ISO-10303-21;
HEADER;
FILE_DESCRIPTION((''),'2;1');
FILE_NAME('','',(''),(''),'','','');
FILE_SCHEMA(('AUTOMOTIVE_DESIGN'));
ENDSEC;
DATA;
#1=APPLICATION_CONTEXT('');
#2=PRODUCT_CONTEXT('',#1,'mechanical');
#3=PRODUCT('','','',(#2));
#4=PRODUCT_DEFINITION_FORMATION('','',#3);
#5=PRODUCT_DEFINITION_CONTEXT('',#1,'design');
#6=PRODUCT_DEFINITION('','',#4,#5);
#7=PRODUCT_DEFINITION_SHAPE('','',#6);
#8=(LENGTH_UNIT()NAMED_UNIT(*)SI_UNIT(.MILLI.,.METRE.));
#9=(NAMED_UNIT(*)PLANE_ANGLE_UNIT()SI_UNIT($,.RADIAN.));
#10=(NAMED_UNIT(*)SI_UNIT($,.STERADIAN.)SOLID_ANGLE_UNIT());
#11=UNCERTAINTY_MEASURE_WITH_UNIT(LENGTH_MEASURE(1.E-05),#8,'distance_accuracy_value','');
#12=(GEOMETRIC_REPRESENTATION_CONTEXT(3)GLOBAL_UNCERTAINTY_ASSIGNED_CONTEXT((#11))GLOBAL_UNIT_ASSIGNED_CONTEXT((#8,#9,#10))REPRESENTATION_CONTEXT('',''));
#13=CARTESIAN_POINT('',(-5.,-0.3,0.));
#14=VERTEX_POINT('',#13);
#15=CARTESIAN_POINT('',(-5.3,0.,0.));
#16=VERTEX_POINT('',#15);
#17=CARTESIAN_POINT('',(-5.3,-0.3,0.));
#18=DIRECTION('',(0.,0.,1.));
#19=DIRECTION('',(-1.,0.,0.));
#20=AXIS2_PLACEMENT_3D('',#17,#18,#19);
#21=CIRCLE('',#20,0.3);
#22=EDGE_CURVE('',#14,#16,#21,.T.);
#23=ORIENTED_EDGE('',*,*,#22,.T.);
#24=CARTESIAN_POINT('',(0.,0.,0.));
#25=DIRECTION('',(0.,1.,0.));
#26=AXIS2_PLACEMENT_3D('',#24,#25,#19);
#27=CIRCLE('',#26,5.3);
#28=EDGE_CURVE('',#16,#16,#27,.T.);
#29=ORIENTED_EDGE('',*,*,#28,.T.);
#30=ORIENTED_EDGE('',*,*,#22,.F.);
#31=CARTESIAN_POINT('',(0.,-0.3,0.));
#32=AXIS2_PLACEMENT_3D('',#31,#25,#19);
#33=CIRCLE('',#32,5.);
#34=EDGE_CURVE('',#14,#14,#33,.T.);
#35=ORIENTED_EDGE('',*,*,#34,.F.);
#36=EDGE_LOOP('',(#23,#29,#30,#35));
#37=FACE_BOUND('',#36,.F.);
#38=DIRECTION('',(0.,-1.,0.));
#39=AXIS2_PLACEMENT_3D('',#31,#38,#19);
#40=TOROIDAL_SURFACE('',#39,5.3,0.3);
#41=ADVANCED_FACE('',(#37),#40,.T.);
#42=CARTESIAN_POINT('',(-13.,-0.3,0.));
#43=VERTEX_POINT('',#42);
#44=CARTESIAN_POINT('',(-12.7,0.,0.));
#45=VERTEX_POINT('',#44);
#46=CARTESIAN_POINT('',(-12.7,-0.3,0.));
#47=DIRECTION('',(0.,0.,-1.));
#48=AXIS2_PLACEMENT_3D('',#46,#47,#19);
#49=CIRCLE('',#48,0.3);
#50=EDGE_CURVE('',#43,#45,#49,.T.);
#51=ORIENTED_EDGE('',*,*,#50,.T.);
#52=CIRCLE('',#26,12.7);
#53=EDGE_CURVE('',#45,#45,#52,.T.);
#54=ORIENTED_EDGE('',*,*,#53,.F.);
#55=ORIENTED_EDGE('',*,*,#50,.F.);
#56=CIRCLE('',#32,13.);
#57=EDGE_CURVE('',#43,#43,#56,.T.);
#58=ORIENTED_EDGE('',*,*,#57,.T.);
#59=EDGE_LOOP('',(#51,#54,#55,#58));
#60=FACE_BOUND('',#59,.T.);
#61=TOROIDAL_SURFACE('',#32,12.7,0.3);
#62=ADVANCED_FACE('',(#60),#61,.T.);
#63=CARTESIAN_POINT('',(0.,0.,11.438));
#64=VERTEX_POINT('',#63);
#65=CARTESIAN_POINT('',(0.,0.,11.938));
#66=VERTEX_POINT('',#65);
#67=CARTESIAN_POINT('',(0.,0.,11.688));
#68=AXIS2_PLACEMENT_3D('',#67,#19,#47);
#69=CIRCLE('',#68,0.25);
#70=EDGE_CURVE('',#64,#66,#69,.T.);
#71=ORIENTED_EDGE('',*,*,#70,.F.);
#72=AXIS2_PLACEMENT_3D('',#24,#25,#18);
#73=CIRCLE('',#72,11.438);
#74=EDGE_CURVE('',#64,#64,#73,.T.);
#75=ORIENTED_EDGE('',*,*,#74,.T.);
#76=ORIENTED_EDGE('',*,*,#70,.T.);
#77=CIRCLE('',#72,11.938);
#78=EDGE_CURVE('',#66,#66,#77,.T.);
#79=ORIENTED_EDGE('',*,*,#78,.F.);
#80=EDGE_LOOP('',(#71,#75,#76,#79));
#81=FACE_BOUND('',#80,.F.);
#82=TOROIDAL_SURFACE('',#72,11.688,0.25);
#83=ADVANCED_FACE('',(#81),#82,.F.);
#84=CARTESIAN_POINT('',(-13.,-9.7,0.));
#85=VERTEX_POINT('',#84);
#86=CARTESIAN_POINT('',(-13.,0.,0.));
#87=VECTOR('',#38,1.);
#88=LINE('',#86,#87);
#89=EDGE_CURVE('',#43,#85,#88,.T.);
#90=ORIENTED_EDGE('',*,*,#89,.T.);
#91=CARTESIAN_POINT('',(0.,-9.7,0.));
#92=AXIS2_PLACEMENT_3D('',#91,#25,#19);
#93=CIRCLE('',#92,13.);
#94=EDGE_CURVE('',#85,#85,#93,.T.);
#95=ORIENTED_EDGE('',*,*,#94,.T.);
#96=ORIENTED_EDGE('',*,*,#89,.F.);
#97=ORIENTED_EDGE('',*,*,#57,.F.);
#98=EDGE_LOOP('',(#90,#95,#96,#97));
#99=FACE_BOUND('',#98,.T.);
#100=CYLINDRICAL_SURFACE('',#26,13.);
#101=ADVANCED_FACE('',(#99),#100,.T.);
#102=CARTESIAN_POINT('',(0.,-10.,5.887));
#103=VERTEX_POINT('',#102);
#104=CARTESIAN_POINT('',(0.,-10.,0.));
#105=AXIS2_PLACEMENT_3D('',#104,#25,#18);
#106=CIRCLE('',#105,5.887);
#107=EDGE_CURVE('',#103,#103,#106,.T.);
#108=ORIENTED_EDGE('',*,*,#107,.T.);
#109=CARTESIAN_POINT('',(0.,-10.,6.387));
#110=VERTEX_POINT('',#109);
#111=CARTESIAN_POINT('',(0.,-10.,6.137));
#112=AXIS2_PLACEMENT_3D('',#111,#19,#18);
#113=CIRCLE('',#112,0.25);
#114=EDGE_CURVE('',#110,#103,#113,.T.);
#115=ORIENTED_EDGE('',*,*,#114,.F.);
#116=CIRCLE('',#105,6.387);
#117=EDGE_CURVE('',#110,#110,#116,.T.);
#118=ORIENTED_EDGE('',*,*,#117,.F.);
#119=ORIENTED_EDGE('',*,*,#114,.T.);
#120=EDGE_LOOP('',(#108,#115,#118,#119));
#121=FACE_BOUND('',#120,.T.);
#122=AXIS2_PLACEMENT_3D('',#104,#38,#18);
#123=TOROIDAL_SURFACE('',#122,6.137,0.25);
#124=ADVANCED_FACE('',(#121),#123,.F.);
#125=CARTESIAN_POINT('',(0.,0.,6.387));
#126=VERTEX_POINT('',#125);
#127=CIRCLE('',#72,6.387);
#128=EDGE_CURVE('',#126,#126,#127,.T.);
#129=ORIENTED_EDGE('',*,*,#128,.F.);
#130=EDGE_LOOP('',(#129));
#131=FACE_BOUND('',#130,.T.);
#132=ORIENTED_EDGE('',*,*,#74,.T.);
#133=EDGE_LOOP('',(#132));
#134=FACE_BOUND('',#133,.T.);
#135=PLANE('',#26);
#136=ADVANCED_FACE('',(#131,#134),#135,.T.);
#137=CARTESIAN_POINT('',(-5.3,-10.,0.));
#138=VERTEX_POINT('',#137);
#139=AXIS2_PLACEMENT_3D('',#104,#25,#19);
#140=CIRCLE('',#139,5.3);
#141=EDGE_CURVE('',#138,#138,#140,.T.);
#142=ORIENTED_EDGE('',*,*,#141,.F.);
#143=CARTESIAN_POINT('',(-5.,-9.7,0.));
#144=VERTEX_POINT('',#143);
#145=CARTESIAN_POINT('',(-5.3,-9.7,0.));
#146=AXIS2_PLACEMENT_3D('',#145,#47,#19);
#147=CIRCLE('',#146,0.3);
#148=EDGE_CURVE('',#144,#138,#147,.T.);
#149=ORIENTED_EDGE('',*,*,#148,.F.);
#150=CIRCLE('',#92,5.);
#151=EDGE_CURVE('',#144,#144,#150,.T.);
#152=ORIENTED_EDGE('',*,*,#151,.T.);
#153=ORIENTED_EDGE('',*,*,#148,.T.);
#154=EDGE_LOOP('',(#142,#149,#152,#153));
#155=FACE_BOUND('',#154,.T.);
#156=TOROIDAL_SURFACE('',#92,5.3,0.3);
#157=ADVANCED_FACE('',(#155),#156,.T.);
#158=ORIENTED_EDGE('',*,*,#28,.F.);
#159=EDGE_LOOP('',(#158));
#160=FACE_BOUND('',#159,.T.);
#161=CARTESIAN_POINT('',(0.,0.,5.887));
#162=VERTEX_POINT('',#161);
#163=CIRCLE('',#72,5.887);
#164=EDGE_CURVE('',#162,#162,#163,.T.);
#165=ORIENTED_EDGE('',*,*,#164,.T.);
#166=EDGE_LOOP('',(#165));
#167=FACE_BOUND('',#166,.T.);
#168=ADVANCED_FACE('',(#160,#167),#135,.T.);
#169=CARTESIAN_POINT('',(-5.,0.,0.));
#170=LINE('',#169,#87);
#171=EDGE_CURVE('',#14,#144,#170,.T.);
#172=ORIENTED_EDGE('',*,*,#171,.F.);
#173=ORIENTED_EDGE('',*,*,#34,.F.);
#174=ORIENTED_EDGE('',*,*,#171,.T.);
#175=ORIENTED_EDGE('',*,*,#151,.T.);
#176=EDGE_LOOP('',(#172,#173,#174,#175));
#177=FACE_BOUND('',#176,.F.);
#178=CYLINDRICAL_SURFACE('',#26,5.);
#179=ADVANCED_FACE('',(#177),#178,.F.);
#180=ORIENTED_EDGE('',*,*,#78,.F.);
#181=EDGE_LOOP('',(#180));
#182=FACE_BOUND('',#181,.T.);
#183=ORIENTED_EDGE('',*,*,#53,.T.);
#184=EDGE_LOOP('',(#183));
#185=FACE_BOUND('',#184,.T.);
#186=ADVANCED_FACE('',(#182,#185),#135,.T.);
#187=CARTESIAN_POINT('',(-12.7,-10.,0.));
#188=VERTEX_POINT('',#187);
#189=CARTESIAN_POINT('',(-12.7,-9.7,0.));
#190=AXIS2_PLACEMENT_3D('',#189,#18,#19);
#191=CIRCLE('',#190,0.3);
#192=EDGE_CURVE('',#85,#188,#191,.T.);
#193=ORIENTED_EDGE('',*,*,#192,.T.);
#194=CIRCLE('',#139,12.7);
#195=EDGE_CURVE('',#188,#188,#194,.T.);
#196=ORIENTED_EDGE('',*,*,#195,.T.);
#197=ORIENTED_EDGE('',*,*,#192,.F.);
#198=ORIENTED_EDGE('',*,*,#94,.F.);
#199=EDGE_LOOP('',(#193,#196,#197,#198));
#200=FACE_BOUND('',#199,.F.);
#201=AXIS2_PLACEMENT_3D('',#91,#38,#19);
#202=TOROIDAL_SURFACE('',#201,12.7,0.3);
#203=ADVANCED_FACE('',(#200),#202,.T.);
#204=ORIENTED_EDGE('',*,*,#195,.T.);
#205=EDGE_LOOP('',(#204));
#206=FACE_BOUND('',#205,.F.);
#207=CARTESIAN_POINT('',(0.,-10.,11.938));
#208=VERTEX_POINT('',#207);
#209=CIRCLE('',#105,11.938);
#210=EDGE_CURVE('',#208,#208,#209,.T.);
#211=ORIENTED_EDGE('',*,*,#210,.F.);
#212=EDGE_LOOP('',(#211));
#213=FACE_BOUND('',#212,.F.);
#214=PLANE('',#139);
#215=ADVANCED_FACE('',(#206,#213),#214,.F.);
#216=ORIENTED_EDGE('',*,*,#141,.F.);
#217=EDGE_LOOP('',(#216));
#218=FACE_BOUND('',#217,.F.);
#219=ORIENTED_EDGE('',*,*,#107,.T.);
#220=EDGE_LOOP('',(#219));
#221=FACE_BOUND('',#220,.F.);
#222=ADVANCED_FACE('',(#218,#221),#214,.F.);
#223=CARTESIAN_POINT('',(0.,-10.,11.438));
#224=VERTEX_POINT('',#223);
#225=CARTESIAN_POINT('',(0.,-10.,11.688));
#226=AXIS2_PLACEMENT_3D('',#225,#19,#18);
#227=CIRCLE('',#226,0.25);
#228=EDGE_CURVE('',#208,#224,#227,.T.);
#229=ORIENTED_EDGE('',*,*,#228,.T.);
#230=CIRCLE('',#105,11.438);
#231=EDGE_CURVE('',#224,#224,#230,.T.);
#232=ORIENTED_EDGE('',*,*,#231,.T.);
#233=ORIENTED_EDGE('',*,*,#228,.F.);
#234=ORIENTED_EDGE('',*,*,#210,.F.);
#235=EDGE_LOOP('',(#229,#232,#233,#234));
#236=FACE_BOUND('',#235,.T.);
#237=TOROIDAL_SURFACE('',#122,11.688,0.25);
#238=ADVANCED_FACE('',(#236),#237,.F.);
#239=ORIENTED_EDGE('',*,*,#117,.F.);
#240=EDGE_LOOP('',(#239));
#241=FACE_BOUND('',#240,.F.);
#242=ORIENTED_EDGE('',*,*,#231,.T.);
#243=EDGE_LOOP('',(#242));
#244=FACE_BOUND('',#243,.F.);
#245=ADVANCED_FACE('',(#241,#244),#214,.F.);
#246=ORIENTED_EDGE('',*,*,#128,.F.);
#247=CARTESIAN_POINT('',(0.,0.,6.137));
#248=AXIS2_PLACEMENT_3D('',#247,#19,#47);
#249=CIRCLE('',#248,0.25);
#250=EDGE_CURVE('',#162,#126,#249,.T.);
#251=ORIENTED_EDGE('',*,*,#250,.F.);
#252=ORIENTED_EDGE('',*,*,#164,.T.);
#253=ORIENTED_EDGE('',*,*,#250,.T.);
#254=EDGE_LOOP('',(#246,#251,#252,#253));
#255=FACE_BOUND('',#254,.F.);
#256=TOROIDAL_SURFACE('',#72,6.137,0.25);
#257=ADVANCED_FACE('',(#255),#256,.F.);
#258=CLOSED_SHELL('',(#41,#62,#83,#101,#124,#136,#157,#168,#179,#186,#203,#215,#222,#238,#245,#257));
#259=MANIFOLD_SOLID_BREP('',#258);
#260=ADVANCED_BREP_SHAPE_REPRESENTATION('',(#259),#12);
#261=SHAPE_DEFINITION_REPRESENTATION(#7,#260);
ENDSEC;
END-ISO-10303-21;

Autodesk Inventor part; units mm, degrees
ref_plane "YZ Plane" through (0, 0, 0) normal (1, 0, 0) x (0, 1, 0)
ref_plane "XZ Plane" through (0, 0, 0) normal (0, 1, 0) x (-1, 0, 0)
sketch "Sketch1" plane through (0, 0, 0) normal (0, 1, 0) x (-1, 0, 0)
  circle A0 centre (0, 0) radius 5
  circle A1 centre (0, 0) radius 13
  dimension "d0" = 10
  dimension "d1" = 26
extrude "Extrusion1" add sketch "Sketch1" against normal blind 10
fillet "Fillet1" radius 0.3 4 edges at (13, 0, 0) (13, -10, 0) (5, 0, 0) (5, -10, 0)
sketch "Sketch2" plane through (0, 0, 0) normal (1, 0, 0) x (0, 1, 0)
  line L0 (-10, -12.7) -> (-10, 12.7) projected
  line L1 (-0.3, 13) -> (-9.7, 13) projected
  line L2 (-12.3802, 0) -> (2.0634, 0) projected
  circle A0 centre (-10, 11.688) radius 0.25
  circle A1 centre (-10, 6.137) radius 0.25
  point P0 (0, 0)
  dimension "d6" = 0.5
revolve "Revolution1" cut sketch "Sketch2" angle 360 about axis through (0, -10, 0) along (0, 1, 0)
ref_plane "Work Plane2" through (0, -5, 0) normal (0, -1, 0) x (1, 0, 0)
mirror "Mirror2" about plane through (0, -5, 0) normal (0, -1, 0) of "Revolution1"
properties part number "62002RS" material "Stainless Steel, 440C"
